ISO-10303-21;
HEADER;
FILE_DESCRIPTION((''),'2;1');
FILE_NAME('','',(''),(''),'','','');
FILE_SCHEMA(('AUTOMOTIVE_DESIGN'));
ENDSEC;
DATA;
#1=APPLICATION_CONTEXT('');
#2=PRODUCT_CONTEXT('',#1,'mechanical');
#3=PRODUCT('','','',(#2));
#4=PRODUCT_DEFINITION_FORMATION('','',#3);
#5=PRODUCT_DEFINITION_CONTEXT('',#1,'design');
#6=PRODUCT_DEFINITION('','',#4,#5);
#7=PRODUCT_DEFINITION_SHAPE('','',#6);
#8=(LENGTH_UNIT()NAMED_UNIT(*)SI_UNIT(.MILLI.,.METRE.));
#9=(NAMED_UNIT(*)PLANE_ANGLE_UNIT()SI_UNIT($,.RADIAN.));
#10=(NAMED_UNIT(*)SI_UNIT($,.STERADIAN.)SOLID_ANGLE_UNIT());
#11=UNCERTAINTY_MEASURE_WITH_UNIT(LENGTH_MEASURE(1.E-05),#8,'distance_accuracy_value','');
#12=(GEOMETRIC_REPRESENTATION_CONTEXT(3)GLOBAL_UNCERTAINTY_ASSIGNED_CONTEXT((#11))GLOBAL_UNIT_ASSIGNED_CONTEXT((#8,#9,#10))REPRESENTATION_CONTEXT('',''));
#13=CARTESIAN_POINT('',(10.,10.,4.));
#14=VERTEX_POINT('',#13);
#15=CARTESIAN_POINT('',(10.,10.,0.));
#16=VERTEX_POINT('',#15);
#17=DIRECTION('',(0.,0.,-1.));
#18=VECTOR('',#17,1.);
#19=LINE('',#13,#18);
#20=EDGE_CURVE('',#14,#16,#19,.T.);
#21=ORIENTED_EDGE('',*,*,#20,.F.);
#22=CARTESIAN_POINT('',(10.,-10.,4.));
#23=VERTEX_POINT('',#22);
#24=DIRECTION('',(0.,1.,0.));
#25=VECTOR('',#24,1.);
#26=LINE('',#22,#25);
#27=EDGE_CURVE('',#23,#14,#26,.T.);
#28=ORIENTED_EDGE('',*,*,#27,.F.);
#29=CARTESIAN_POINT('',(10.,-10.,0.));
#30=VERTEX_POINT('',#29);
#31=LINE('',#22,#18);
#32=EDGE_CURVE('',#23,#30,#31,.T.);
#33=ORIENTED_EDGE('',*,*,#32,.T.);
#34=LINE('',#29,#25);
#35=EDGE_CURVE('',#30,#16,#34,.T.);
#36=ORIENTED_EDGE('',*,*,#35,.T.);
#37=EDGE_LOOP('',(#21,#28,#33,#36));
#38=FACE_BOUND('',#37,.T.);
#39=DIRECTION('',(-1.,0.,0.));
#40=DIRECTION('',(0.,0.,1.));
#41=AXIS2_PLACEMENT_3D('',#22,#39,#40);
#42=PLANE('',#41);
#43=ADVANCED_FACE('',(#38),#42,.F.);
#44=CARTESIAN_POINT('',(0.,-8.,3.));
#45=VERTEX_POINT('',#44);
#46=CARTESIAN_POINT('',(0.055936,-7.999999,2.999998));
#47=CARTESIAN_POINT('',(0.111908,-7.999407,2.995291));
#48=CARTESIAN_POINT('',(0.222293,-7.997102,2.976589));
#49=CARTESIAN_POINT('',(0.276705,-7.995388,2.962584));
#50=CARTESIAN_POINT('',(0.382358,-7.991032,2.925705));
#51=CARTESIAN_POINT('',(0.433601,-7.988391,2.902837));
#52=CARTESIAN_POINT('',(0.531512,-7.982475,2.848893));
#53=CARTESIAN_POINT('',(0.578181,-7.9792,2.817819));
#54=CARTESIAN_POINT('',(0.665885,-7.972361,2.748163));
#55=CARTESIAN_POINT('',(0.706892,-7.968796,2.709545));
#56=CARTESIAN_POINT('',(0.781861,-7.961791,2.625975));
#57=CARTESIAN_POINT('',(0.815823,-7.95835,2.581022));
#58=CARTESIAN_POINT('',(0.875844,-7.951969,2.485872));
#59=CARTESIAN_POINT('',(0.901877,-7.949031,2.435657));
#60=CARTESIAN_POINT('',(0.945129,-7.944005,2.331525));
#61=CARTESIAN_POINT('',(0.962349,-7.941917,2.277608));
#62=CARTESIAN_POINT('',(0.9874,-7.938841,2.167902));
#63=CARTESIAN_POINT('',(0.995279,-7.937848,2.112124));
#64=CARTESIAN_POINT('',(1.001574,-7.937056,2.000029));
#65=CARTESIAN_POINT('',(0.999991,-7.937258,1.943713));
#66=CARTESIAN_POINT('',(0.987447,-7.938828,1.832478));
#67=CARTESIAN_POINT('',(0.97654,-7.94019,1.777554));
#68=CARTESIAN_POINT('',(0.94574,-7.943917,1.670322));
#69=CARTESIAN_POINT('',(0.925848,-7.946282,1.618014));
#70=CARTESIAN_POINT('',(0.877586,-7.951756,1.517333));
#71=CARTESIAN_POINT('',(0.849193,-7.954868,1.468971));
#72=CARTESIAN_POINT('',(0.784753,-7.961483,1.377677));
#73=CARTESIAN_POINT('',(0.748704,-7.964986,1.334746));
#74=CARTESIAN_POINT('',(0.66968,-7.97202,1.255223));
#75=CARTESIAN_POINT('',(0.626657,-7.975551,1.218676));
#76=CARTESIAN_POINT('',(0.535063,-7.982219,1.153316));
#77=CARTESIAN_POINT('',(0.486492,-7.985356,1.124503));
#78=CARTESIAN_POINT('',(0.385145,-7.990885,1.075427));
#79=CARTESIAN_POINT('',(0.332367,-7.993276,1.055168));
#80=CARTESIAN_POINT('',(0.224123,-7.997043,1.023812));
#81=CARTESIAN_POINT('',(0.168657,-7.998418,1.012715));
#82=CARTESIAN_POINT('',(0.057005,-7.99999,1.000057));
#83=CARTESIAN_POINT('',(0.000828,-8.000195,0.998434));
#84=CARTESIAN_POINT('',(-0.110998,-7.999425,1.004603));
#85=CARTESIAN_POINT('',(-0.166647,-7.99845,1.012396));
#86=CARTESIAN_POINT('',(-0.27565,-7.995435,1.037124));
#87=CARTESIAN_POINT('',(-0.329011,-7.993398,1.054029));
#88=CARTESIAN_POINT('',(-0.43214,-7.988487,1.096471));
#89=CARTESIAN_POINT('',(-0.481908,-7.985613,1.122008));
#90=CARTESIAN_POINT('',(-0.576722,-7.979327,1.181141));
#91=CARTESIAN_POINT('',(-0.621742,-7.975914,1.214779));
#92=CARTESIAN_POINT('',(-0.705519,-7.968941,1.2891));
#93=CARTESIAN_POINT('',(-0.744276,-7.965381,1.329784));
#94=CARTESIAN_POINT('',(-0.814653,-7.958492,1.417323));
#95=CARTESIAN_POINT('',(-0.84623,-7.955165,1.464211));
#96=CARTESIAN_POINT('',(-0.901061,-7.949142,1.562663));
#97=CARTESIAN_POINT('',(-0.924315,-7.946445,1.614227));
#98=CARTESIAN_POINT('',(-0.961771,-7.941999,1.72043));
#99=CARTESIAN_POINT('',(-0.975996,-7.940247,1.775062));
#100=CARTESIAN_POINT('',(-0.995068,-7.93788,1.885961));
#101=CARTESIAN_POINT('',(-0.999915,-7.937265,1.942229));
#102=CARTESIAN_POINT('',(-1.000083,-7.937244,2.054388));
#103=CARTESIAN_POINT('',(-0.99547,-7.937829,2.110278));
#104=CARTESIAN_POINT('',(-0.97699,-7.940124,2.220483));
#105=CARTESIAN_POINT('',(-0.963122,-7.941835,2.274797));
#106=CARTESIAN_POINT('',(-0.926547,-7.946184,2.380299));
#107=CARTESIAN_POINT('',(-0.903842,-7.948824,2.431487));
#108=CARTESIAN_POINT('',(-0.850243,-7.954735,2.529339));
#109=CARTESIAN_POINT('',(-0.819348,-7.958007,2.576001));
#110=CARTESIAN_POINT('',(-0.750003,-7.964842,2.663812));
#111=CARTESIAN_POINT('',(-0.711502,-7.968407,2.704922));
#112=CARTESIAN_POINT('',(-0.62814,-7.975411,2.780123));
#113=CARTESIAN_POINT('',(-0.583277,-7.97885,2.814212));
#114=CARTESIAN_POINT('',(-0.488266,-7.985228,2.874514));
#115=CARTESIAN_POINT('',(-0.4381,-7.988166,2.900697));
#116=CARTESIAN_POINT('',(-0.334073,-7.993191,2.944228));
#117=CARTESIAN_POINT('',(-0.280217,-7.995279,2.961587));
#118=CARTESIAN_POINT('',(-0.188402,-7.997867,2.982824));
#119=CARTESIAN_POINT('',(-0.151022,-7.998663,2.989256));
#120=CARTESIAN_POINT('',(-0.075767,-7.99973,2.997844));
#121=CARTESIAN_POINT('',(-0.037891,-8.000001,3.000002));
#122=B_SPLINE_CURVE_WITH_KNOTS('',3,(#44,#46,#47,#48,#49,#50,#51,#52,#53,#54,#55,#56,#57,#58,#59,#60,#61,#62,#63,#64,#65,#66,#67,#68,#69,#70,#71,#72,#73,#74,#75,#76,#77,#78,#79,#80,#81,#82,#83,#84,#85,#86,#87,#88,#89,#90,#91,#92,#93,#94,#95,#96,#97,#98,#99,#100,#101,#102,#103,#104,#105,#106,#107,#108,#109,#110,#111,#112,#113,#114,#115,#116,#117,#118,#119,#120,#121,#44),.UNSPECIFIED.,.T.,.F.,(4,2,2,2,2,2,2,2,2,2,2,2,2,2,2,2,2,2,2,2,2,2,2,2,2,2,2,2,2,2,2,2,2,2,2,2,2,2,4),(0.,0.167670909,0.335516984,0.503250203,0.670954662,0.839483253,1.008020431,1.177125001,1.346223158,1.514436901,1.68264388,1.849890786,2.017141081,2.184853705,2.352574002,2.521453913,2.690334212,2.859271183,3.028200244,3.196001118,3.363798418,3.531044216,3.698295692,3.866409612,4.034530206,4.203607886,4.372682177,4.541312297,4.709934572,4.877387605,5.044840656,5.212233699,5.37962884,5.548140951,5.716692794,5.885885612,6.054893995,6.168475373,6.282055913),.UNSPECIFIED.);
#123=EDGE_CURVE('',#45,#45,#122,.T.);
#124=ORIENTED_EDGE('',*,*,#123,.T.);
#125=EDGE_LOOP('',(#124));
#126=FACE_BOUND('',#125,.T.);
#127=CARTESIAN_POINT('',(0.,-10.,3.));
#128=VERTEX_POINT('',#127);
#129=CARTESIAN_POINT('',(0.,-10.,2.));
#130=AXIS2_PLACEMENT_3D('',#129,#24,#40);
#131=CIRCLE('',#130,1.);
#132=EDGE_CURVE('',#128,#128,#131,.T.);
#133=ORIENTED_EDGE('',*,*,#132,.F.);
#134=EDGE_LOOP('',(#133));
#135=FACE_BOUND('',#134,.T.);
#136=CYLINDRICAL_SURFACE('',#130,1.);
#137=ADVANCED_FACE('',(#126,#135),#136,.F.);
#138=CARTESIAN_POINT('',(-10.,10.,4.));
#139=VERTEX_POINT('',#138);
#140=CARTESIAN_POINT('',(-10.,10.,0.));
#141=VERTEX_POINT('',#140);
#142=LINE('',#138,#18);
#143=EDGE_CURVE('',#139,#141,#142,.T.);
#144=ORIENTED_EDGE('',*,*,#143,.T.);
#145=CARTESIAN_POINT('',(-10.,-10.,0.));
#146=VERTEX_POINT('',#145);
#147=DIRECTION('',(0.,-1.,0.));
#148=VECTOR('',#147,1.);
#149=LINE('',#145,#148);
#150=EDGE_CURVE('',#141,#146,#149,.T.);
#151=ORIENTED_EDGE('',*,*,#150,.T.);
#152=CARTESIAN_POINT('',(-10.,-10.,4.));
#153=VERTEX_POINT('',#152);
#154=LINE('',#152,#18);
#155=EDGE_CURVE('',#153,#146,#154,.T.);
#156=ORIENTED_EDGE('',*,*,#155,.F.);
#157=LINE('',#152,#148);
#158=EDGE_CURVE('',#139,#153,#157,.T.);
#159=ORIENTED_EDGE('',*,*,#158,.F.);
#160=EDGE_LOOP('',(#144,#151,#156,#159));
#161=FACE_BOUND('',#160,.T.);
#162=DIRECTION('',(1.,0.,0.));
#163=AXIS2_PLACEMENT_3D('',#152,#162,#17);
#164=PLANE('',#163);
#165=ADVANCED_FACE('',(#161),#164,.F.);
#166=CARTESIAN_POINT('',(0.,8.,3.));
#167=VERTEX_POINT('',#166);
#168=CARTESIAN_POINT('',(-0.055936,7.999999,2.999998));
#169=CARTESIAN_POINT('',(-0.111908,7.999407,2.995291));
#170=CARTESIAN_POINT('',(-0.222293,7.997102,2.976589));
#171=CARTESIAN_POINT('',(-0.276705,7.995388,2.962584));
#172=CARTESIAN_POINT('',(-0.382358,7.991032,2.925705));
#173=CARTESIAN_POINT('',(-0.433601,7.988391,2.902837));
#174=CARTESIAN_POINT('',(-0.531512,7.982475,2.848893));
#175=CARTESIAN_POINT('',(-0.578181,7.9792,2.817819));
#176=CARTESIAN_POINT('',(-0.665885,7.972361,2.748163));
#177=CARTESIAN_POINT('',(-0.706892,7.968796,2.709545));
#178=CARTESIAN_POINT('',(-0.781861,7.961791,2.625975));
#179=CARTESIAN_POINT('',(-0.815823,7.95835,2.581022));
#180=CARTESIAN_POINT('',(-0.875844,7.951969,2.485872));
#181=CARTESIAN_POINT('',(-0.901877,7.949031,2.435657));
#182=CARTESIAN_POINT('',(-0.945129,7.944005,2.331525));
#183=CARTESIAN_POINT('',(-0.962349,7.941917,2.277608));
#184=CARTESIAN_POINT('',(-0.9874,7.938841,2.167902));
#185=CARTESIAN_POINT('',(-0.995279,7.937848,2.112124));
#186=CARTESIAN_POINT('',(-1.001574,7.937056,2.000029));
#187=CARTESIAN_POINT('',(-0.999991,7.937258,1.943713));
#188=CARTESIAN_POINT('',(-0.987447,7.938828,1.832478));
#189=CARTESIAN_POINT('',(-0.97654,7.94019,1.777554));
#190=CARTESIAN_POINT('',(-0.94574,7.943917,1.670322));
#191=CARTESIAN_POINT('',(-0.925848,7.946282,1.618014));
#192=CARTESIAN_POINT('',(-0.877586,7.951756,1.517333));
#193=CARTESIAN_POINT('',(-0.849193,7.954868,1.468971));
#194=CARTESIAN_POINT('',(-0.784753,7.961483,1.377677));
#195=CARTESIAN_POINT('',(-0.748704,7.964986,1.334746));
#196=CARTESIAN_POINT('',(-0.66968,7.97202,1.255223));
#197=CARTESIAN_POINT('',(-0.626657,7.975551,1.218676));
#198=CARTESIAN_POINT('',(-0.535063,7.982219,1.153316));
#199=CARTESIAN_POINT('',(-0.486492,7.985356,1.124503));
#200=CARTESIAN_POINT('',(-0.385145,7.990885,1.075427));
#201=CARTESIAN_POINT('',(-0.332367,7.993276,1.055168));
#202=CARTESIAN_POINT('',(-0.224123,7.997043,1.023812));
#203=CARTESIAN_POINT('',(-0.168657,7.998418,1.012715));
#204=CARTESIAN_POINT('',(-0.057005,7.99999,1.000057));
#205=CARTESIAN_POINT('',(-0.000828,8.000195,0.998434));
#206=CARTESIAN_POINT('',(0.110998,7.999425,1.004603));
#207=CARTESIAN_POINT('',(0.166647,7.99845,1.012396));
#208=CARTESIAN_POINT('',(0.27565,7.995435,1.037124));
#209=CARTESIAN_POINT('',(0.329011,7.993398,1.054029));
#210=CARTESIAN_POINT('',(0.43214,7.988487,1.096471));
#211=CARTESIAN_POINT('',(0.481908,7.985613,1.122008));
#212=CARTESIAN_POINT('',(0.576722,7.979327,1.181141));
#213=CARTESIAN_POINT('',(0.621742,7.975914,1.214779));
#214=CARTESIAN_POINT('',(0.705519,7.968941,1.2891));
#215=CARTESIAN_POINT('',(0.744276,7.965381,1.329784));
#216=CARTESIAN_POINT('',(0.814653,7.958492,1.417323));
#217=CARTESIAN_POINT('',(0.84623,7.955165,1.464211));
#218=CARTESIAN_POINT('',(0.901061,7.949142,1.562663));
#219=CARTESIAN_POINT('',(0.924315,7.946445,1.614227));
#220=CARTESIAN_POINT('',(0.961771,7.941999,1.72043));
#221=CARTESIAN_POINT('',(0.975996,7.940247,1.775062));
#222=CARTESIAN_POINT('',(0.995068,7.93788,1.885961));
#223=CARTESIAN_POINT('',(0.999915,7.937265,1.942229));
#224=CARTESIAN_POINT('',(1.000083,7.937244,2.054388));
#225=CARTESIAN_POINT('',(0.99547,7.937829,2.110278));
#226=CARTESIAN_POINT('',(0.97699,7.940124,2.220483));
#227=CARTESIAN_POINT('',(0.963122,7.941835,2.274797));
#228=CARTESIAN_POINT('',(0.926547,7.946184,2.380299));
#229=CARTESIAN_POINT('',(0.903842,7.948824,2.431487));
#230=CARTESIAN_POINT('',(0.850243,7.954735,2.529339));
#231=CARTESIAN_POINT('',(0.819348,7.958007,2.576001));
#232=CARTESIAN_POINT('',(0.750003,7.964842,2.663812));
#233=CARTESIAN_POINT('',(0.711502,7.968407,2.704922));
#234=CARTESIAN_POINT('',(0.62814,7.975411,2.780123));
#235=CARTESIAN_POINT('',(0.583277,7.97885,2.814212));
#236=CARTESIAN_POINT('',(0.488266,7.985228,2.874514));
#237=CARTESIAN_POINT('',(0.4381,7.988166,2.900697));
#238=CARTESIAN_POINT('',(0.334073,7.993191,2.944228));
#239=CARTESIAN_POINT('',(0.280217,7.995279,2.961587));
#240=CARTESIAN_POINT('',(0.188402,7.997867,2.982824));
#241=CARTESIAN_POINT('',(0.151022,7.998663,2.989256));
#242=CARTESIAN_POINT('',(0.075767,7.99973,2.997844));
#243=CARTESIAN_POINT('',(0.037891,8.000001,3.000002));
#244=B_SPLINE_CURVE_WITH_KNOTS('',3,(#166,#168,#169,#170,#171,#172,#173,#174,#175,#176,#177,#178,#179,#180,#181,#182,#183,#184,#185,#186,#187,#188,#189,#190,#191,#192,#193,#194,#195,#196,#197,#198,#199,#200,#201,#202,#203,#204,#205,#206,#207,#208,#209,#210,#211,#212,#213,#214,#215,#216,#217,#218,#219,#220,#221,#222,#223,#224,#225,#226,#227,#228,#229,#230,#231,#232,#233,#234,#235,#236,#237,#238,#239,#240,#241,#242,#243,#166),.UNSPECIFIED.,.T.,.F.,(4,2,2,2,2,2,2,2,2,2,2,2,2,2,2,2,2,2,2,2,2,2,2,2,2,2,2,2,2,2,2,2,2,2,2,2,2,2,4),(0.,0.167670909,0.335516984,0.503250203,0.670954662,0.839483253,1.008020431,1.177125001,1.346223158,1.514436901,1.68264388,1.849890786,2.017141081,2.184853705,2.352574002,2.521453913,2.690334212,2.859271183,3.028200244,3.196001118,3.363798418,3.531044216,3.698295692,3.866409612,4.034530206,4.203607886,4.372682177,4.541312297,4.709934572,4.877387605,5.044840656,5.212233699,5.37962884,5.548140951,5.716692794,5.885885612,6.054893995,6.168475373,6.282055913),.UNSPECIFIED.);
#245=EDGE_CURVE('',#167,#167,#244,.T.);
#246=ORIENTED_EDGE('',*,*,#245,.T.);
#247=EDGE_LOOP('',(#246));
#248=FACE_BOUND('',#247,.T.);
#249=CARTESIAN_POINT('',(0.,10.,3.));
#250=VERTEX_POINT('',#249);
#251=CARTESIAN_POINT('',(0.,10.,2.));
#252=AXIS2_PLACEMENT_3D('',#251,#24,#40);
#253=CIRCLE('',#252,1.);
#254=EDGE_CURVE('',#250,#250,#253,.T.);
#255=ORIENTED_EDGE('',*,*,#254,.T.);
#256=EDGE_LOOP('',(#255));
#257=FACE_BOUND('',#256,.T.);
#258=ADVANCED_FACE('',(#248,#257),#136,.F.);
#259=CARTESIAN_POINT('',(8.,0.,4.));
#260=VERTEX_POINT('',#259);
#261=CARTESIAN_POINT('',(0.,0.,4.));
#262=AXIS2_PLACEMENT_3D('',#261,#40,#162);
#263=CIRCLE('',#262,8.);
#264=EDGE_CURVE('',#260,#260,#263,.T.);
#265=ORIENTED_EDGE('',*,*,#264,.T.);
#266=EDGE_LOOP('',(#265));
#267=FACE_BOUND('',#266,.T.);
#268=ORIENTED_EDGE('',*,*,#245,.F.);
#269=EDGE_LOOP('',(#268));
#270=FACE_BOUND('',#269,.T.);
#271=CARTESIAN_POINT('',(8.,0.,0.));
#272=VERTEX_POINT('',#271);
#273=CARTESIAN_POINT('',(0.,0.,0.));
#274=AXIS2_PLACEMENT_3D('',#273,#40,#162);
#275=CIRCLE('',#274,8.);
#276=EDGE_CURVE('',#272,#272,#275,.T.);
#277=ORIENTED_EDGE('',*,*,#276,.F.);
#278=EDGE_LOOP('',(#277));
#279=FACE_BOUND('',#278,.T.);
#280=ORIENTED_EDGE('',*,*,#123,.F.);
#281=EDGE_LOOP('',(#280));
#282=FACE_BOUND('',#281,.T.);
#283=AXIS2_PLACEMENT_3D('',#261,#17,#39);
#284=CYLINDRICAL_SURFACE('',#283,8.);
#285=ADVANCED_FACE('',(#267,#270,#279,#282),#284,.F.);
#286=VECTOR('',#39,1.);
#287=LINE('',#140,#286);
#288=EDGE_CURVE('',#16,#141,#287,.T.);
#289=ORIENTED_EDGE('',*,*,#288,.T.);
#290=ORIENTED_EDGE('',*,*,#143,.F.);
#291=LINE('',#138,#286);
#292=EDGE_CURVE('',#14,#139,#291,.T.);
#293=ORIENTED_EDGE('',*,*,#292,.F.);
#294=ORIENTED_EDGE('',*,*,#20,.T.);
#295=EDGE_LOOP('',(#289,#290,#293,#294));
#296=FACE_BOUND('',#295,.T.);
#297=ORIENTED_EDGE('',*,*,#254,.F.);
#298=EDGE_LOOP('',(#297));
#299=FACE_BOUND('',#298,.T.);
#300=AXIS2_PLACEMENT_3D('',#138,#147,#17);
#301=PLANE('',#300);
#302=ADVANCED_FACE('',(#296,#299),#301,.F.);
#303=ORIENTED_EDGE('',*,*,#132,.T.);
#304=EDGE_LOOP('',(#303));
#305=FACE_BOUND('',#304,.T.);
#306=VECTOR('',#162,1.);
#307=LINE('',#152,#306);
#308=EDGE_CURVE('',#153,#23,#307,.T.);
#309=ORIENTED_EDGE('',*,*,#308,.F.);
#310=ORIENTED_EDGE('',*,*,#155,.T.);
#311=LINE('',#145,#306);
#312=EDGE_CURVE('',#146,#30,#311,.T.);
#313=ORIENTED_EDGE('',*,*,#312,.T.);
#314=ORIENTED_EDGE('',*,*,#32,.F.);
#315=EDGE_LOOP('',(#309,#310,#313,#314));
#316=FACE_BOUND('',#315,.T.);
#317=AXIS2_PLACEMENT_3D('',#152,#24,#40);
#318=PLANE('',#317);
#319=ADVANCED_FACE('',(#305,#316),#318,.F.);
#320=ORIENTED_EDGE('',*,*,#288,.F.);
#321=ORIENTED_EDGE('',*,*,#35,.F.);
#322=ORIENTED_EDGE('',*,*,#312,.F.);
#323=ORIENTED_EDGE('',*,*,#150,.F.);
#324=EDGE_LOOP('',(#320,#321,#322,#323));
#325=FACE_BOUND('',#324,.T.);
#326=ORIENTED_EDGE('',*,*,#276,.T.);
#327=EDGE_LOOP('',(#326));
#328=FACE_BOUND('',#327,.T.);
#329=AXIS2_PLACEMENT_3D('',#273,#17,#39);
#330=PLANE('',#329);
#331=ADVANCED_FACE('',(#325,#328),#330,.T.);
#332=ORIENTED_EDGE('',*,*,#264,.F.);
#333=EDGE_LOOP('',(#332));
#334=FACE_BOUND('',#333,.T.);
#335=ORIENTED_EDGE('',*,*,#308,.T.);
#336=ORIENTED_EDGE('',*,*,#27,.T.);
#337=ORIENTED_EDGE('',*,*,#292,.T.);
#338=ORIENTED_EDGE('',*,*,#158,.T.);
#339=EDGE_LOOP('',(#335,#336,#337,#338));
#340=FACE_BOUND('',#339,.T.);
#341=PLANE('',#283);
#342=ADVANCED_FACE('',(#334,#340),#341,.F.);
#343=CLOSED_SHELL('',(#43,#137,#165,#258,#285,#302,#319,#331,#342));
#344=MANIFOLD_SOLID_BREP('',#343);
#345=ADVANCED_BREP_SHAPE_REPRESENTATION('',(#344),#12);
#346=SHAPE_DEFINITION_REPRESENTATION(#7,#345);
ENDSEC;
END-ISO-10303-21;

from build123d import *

# Parameters (mm, degrees)
SKETCH1_W           = 20
SKETCH1_H           = 20
SKETCH1_R           = 8
BOSS_EXTRUDE1_DEPTH = 4
SKETCH3_R           = 1
CUT_EXTRUDE1_DEPTH  = 20


with BuildPart() as part:
    # Sketch1 → Boss-Extrude1 (new body)
    with BuildSketch(Plane.XY):
        Rectangle(SKETCH1_W, SKETCH1_H)
        Circle(SKETCH1_R, mode=Mode.SUBTRACT)
    extrude(amount=BOSS_EXTRUDE1_DEPTH)

    # Sketch3 → Cut-Extrude1 (cut)
    with BuildSketch(Plane(origin=(0, 10, 0), x_dir=(1, 0, 0), z_dir=(0, 1, 0))):
        with Locations(Location((0, -2, 0), (0, 0, 270))):
            Circle(SKETCH3_R)
    extrude(amount=-CUT_EXTRUDE1_DEPTH, mode=Mode.SUBTRACT)


solid = part.part
